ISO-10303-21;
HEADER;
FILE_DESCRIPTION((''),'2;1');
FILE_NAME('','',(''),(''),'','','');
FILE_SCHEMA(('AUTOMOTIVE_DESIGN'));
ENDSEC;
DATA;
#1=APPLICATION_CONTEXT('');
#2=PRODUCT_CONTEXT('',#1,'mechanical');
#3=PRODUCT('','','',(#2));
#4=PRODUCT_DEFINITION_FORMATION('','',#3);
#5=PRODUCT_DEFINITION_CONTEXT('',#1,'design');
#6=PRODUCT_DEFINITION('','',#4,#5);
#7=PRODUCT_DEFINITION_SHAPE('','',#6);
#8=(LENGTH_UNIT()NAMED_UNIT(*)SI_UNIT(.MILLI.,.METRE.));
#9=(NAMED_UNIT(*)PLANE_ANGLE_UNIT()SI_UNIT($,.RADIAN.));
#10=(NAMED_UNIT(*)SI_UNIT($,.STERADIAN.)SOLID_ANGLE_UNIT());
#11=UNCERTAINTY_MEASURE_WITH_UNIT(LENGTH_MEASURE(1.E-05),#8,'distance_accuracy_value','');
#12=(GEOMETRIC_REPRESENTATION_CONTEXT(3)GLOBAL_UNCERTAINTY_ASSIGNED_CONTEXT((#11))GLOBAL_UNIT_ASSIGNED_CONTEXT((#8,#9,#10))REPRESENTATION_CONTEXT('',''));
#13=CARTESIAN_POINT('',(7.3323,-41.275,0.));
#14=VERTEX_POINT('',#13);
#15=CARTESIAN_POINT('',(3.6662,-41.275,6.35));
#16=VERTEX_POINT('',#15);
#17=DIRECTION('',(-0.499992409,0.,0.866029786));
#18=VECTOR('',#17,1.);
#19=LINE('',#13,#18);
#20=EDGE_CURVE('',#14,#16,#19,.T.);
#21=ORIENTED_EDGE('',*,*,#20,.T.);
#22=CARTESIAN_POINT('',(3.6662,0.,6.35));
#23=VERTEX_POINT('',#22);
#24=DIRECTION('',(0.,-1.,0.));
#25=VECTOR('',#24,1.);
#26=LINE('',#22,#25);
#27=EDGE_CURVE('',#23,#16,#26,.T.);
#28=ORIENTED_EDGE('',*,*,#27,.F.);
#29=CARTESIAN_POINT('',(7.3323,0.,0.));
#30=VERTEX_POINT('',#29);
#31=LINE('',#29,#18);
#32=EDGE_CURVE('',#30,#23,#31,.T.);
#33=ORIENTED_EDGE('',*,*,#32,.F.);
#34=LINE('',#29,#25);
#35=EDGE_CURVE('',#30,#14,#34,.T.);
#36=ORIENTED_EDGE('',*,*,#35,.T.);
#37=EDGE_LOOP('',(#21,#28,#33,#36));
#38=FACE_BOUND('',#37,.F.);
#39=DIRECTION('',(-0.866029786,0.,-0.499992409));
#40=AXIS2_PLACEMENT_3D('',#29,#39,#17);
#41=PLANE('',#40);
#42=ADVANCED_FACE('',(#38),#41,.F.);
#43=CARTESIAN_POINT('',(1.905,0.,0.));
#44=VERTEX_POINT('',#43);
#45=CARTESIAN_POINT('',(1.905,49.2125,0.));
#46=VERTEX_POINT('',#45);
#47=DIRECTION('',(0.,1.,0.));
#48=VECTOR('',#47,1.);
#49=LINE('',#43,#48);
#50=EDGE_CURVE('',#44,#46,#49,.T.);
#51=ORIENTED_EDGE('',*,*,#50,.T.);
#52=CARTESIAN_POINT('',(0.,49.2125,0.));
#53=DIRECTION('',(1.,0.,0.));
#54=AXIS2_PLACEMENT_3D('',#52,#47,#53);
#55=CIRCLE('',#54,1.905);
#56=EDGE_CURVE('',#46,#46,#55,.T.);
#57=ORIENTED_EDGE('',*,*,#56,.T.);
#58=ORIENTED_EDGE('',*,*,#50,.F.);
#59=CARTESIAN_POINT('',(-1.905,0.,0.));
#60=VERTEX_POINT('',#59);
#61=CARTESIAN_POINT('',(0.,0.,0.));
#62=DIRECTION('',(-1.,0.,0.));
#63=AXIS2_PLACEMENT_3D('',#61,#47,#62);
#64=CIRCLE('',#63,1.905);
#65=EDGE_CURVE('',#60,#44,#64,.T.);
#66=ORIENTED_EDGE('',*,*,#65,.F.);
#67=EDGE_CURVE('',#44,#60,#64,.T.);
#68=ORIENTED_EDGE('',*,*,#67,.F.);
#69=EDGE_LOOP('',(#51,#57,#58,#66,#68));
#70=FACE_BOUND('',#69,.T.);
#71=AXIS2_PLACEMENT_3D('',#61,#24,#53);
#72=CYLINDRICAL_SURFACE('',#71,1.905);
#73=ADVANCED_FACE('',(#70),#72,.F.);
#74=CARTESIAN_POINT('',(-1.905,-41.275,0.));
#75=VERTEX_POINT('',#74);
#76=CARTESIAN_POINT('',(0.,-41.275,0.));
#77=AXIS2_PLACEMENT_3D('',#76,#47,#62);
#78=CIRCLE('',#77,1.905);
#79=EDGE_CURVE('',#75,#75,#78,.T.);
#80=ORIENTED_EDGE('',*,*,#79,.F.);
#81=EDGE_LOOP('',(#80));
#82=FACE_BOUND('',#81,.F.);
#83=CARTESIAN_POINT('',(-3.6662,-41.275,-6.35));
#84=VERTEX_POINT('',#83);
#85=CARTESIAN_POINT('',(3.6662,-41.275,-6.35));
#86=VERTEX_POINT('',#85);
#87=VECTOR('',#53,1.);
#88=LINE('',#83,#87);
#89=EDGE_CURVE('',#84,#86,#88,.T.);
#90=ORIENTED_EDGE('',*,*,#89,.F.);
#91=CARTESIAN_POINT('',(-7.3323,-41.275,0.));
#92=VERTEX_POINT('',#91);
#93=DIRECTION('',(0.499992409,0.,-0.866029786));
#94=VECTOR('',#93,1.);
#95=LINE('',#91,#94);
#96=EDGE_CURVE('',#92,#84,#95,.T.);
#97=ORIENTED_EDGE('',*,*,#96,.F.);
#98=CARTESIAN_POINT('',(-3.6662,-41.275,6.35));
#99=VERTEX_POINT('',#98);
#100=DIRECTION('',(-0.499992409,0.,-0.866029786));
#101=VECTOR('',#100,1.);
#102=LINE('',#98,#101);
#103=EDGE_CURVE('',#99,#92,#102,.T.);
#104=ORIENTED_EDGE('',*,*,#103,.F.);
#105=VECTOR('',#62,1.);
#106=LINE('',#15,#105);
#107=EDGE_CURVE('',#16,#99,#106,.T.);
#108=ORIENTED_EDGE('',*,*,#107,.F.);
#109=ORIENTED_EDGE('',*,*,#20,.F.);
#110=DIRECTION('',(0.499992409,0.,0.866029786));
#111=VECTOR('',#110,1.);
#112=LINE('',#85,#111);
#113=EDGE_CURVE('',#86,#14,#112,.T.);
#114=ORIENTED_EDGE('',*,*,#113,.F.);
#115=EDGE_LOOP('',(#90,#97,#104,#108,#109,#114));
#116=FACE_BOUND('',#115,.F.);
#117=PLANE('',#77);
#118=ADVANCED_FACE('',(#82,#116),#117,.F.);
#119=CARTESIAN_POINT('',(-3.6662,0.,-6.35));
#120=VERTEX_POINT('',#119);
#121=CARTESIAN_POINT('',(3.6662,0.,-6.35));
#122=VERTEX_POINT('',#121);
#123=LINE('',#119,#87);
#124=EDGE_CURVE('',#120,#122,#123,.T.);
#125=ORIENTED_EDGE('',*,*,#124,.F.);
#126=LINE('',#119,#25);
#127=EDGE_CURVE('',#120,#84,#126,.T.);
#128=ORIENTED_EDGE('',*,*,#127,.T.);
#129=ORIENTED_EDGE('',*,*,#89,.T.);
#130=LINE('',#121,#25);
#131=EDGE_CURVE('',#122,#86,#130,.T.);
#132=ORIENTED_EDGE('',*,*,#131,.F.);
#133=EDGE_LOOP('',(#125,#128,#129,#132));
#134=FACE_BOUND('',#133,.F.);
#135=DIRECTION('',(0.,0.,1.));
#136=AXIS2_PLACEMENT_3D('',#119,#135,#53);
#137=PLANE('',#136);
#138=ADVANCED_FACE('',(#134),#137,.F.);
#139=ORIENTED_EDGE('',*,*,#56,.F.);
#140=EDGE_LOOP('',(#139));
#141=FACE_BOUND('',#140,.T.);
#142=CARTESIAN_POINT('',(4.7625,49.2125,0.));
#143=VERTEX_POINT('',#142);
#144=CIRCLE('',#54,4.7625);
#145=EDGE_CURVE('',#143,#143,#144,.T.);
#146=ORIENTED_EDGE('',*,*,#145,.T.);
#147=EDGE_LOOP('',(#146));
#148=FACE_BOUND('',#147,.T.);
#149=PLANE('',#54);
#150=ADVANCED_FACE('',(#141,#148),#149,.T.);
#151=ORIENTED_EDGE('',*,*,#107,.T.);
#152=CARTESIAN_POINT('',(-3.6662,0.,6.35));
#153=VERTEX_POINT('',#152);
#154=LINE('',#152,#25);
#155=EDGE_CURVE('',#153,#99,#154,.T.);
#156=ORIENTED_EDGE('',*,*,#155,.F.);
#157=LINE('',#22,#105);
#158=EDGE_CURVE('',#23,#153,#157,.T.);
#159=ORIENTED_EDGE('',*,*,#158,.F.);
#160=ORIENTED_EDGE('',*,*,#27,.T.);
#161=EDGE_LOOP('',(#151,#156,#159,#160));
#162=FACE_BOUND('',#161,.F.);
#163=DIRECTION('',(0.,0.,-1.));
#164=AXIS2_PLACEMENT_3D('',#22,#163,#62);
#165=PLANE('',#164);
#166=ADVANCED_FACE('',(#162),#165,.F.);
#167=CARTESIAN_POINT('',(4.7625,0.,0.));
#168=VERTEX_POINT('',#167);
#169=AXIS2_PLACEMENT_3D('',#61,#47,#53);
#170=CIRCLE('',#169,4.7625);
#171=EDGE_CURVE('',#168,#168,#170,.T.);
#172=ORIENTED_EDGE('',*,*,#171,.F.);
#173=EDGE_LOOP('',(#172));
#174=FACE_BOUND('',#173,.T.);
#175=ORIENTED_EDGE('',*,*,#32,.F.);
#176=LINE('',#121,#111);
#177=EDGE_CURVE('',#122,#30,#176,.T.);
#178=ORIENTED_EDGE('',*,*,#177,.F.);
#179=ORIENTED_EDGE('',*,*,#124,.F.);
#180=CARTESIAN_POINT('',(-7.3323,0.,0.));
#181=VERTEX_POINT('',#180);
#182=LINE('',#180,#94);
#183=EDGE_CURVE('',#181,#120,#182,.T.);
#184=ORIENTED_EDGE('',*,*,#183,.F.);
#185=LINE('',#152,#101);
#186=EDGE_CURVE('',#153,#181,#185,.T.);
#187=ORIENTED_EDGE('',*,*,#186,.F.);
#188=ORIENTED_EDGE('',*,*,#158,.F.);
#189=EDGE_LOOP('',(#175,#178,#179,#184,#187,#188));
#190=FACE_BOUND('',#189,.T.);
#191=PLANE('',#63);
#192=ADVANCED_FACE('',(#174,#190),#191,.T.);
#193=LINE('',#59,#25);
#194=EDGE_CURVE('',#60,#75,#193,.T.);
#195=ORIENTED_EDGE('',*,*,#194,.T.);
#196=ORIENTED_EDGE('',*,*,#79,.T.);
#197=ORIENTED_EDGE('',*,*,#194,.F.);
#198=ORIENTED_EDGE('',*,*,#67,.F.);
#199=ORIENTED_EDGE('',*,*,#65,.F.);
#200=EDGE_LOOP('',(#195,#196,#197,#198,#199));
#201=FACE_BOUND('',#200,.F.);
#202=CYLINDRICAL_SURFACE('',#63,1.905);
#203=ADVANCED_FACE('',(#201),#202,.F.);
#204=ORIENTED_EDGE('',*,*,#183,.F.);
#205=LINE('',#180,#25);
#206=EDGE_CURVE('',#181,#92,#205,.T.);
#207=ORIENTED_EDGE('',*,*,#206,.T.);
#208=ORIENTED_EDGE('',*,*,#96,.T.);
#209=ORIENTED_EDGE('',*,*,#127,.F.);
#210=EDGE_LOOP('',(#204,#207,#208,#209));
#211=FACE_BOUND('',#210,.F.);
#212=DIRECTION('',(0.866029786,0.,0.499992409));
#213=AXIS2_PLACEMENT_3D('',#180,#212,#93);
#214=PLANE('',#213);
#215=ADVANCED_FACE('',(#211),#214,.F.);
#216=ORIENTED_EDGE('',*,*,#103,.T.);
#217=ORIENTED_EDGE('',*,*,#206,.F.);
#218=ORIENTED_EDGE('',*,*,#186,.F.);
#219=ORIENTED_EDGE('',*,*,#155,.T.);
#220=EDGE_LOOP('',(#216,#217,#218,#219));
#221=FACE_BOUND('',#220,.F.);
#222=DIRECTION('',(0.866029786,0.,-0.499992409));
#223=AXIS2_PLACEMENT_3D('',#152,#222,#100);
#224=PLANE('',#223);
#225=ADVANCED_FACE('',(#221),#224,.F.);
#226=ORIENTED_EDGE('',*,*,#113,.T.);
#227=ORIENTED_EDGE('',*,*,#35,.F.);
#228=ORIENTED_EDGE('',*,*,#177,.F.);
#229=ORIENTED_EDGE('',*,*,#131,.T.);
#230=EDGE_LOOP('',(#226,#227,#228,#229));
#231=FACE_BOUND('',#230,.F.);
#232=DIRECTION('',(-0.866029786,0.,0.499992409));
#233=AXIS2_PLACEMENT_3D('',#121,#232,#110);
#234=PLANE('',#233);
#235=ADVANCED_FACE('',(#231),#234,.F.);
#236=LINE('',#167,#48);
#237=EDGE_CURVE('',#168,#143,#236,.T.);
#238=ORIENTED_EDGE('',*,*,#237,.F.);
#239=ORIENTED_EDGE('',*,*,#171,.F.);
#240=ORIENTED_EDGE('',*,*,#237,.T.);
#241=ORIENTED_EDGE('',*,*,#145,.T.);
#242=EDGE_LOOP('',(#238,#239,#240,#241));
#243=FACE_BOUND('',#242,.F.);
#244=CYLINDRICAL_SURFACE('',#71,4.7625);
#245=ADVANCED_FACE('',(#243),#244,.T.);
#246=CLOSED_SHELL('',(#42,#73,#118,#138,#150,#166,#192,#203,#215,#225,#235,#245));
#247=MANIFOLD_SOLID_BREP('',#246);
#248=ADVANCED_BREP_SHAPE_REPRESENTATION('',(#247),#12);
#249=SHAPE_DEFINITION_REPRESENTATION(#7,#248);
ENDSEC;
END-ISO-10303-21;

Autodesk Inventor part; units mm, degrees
ref_plane "YZ Plane" through (0, 0, 0) normal (1, 0, 0) x (0, 1, 0)
ref_plane "XZ Plane" through (0, 0, 0) normal (0, 1, 0) x (-1, 0, 0)
ref_plane "XY Plane" through (0, 0, 0) normal (0, 0, 1) x (1, 0, 0)
sketch "Sketch1" plane through (0, 0, 0) normal (0, 1, 0) x (-1, 0, 0)
  line L0 (3.6662, -6.35) -> (-3.6662, -6.35)
  line L1 (-3.6662, -6.35) -> (-7.3323, 0)
  line L2 (-7.3323, 0) -> (-3.6662, 6.35)
  line L3 (-3.6662, 6.35) -> (3.6662, 6.35)
  line L4 (3.6662, 6.35) -> (7.3323, 0)
  line L5 (7.3323, 0) -> (3.6662, -6.35)
  circle A0 centre (0, 0) radius 1.905
  dimension "d0" = 12.7
  dimension "d6" = 3.81
extrude "Extrusion1" add sketch "Sketch1" against normal blind 41.275
sketch "Sketch2" plane through (0, 0, 0) normal (0, 1, 0) x (1, 0, 0)
  circle A0 centre (0, 0) radius 4.7625
  circle A1 centre (0, 0) radius 1.905 projected
  dimension "d3" = 9.525
extrude "Extrusion2" add sketch "Sketch2" along normal blind 49.2125
properties part number "Roller drive shaft"
